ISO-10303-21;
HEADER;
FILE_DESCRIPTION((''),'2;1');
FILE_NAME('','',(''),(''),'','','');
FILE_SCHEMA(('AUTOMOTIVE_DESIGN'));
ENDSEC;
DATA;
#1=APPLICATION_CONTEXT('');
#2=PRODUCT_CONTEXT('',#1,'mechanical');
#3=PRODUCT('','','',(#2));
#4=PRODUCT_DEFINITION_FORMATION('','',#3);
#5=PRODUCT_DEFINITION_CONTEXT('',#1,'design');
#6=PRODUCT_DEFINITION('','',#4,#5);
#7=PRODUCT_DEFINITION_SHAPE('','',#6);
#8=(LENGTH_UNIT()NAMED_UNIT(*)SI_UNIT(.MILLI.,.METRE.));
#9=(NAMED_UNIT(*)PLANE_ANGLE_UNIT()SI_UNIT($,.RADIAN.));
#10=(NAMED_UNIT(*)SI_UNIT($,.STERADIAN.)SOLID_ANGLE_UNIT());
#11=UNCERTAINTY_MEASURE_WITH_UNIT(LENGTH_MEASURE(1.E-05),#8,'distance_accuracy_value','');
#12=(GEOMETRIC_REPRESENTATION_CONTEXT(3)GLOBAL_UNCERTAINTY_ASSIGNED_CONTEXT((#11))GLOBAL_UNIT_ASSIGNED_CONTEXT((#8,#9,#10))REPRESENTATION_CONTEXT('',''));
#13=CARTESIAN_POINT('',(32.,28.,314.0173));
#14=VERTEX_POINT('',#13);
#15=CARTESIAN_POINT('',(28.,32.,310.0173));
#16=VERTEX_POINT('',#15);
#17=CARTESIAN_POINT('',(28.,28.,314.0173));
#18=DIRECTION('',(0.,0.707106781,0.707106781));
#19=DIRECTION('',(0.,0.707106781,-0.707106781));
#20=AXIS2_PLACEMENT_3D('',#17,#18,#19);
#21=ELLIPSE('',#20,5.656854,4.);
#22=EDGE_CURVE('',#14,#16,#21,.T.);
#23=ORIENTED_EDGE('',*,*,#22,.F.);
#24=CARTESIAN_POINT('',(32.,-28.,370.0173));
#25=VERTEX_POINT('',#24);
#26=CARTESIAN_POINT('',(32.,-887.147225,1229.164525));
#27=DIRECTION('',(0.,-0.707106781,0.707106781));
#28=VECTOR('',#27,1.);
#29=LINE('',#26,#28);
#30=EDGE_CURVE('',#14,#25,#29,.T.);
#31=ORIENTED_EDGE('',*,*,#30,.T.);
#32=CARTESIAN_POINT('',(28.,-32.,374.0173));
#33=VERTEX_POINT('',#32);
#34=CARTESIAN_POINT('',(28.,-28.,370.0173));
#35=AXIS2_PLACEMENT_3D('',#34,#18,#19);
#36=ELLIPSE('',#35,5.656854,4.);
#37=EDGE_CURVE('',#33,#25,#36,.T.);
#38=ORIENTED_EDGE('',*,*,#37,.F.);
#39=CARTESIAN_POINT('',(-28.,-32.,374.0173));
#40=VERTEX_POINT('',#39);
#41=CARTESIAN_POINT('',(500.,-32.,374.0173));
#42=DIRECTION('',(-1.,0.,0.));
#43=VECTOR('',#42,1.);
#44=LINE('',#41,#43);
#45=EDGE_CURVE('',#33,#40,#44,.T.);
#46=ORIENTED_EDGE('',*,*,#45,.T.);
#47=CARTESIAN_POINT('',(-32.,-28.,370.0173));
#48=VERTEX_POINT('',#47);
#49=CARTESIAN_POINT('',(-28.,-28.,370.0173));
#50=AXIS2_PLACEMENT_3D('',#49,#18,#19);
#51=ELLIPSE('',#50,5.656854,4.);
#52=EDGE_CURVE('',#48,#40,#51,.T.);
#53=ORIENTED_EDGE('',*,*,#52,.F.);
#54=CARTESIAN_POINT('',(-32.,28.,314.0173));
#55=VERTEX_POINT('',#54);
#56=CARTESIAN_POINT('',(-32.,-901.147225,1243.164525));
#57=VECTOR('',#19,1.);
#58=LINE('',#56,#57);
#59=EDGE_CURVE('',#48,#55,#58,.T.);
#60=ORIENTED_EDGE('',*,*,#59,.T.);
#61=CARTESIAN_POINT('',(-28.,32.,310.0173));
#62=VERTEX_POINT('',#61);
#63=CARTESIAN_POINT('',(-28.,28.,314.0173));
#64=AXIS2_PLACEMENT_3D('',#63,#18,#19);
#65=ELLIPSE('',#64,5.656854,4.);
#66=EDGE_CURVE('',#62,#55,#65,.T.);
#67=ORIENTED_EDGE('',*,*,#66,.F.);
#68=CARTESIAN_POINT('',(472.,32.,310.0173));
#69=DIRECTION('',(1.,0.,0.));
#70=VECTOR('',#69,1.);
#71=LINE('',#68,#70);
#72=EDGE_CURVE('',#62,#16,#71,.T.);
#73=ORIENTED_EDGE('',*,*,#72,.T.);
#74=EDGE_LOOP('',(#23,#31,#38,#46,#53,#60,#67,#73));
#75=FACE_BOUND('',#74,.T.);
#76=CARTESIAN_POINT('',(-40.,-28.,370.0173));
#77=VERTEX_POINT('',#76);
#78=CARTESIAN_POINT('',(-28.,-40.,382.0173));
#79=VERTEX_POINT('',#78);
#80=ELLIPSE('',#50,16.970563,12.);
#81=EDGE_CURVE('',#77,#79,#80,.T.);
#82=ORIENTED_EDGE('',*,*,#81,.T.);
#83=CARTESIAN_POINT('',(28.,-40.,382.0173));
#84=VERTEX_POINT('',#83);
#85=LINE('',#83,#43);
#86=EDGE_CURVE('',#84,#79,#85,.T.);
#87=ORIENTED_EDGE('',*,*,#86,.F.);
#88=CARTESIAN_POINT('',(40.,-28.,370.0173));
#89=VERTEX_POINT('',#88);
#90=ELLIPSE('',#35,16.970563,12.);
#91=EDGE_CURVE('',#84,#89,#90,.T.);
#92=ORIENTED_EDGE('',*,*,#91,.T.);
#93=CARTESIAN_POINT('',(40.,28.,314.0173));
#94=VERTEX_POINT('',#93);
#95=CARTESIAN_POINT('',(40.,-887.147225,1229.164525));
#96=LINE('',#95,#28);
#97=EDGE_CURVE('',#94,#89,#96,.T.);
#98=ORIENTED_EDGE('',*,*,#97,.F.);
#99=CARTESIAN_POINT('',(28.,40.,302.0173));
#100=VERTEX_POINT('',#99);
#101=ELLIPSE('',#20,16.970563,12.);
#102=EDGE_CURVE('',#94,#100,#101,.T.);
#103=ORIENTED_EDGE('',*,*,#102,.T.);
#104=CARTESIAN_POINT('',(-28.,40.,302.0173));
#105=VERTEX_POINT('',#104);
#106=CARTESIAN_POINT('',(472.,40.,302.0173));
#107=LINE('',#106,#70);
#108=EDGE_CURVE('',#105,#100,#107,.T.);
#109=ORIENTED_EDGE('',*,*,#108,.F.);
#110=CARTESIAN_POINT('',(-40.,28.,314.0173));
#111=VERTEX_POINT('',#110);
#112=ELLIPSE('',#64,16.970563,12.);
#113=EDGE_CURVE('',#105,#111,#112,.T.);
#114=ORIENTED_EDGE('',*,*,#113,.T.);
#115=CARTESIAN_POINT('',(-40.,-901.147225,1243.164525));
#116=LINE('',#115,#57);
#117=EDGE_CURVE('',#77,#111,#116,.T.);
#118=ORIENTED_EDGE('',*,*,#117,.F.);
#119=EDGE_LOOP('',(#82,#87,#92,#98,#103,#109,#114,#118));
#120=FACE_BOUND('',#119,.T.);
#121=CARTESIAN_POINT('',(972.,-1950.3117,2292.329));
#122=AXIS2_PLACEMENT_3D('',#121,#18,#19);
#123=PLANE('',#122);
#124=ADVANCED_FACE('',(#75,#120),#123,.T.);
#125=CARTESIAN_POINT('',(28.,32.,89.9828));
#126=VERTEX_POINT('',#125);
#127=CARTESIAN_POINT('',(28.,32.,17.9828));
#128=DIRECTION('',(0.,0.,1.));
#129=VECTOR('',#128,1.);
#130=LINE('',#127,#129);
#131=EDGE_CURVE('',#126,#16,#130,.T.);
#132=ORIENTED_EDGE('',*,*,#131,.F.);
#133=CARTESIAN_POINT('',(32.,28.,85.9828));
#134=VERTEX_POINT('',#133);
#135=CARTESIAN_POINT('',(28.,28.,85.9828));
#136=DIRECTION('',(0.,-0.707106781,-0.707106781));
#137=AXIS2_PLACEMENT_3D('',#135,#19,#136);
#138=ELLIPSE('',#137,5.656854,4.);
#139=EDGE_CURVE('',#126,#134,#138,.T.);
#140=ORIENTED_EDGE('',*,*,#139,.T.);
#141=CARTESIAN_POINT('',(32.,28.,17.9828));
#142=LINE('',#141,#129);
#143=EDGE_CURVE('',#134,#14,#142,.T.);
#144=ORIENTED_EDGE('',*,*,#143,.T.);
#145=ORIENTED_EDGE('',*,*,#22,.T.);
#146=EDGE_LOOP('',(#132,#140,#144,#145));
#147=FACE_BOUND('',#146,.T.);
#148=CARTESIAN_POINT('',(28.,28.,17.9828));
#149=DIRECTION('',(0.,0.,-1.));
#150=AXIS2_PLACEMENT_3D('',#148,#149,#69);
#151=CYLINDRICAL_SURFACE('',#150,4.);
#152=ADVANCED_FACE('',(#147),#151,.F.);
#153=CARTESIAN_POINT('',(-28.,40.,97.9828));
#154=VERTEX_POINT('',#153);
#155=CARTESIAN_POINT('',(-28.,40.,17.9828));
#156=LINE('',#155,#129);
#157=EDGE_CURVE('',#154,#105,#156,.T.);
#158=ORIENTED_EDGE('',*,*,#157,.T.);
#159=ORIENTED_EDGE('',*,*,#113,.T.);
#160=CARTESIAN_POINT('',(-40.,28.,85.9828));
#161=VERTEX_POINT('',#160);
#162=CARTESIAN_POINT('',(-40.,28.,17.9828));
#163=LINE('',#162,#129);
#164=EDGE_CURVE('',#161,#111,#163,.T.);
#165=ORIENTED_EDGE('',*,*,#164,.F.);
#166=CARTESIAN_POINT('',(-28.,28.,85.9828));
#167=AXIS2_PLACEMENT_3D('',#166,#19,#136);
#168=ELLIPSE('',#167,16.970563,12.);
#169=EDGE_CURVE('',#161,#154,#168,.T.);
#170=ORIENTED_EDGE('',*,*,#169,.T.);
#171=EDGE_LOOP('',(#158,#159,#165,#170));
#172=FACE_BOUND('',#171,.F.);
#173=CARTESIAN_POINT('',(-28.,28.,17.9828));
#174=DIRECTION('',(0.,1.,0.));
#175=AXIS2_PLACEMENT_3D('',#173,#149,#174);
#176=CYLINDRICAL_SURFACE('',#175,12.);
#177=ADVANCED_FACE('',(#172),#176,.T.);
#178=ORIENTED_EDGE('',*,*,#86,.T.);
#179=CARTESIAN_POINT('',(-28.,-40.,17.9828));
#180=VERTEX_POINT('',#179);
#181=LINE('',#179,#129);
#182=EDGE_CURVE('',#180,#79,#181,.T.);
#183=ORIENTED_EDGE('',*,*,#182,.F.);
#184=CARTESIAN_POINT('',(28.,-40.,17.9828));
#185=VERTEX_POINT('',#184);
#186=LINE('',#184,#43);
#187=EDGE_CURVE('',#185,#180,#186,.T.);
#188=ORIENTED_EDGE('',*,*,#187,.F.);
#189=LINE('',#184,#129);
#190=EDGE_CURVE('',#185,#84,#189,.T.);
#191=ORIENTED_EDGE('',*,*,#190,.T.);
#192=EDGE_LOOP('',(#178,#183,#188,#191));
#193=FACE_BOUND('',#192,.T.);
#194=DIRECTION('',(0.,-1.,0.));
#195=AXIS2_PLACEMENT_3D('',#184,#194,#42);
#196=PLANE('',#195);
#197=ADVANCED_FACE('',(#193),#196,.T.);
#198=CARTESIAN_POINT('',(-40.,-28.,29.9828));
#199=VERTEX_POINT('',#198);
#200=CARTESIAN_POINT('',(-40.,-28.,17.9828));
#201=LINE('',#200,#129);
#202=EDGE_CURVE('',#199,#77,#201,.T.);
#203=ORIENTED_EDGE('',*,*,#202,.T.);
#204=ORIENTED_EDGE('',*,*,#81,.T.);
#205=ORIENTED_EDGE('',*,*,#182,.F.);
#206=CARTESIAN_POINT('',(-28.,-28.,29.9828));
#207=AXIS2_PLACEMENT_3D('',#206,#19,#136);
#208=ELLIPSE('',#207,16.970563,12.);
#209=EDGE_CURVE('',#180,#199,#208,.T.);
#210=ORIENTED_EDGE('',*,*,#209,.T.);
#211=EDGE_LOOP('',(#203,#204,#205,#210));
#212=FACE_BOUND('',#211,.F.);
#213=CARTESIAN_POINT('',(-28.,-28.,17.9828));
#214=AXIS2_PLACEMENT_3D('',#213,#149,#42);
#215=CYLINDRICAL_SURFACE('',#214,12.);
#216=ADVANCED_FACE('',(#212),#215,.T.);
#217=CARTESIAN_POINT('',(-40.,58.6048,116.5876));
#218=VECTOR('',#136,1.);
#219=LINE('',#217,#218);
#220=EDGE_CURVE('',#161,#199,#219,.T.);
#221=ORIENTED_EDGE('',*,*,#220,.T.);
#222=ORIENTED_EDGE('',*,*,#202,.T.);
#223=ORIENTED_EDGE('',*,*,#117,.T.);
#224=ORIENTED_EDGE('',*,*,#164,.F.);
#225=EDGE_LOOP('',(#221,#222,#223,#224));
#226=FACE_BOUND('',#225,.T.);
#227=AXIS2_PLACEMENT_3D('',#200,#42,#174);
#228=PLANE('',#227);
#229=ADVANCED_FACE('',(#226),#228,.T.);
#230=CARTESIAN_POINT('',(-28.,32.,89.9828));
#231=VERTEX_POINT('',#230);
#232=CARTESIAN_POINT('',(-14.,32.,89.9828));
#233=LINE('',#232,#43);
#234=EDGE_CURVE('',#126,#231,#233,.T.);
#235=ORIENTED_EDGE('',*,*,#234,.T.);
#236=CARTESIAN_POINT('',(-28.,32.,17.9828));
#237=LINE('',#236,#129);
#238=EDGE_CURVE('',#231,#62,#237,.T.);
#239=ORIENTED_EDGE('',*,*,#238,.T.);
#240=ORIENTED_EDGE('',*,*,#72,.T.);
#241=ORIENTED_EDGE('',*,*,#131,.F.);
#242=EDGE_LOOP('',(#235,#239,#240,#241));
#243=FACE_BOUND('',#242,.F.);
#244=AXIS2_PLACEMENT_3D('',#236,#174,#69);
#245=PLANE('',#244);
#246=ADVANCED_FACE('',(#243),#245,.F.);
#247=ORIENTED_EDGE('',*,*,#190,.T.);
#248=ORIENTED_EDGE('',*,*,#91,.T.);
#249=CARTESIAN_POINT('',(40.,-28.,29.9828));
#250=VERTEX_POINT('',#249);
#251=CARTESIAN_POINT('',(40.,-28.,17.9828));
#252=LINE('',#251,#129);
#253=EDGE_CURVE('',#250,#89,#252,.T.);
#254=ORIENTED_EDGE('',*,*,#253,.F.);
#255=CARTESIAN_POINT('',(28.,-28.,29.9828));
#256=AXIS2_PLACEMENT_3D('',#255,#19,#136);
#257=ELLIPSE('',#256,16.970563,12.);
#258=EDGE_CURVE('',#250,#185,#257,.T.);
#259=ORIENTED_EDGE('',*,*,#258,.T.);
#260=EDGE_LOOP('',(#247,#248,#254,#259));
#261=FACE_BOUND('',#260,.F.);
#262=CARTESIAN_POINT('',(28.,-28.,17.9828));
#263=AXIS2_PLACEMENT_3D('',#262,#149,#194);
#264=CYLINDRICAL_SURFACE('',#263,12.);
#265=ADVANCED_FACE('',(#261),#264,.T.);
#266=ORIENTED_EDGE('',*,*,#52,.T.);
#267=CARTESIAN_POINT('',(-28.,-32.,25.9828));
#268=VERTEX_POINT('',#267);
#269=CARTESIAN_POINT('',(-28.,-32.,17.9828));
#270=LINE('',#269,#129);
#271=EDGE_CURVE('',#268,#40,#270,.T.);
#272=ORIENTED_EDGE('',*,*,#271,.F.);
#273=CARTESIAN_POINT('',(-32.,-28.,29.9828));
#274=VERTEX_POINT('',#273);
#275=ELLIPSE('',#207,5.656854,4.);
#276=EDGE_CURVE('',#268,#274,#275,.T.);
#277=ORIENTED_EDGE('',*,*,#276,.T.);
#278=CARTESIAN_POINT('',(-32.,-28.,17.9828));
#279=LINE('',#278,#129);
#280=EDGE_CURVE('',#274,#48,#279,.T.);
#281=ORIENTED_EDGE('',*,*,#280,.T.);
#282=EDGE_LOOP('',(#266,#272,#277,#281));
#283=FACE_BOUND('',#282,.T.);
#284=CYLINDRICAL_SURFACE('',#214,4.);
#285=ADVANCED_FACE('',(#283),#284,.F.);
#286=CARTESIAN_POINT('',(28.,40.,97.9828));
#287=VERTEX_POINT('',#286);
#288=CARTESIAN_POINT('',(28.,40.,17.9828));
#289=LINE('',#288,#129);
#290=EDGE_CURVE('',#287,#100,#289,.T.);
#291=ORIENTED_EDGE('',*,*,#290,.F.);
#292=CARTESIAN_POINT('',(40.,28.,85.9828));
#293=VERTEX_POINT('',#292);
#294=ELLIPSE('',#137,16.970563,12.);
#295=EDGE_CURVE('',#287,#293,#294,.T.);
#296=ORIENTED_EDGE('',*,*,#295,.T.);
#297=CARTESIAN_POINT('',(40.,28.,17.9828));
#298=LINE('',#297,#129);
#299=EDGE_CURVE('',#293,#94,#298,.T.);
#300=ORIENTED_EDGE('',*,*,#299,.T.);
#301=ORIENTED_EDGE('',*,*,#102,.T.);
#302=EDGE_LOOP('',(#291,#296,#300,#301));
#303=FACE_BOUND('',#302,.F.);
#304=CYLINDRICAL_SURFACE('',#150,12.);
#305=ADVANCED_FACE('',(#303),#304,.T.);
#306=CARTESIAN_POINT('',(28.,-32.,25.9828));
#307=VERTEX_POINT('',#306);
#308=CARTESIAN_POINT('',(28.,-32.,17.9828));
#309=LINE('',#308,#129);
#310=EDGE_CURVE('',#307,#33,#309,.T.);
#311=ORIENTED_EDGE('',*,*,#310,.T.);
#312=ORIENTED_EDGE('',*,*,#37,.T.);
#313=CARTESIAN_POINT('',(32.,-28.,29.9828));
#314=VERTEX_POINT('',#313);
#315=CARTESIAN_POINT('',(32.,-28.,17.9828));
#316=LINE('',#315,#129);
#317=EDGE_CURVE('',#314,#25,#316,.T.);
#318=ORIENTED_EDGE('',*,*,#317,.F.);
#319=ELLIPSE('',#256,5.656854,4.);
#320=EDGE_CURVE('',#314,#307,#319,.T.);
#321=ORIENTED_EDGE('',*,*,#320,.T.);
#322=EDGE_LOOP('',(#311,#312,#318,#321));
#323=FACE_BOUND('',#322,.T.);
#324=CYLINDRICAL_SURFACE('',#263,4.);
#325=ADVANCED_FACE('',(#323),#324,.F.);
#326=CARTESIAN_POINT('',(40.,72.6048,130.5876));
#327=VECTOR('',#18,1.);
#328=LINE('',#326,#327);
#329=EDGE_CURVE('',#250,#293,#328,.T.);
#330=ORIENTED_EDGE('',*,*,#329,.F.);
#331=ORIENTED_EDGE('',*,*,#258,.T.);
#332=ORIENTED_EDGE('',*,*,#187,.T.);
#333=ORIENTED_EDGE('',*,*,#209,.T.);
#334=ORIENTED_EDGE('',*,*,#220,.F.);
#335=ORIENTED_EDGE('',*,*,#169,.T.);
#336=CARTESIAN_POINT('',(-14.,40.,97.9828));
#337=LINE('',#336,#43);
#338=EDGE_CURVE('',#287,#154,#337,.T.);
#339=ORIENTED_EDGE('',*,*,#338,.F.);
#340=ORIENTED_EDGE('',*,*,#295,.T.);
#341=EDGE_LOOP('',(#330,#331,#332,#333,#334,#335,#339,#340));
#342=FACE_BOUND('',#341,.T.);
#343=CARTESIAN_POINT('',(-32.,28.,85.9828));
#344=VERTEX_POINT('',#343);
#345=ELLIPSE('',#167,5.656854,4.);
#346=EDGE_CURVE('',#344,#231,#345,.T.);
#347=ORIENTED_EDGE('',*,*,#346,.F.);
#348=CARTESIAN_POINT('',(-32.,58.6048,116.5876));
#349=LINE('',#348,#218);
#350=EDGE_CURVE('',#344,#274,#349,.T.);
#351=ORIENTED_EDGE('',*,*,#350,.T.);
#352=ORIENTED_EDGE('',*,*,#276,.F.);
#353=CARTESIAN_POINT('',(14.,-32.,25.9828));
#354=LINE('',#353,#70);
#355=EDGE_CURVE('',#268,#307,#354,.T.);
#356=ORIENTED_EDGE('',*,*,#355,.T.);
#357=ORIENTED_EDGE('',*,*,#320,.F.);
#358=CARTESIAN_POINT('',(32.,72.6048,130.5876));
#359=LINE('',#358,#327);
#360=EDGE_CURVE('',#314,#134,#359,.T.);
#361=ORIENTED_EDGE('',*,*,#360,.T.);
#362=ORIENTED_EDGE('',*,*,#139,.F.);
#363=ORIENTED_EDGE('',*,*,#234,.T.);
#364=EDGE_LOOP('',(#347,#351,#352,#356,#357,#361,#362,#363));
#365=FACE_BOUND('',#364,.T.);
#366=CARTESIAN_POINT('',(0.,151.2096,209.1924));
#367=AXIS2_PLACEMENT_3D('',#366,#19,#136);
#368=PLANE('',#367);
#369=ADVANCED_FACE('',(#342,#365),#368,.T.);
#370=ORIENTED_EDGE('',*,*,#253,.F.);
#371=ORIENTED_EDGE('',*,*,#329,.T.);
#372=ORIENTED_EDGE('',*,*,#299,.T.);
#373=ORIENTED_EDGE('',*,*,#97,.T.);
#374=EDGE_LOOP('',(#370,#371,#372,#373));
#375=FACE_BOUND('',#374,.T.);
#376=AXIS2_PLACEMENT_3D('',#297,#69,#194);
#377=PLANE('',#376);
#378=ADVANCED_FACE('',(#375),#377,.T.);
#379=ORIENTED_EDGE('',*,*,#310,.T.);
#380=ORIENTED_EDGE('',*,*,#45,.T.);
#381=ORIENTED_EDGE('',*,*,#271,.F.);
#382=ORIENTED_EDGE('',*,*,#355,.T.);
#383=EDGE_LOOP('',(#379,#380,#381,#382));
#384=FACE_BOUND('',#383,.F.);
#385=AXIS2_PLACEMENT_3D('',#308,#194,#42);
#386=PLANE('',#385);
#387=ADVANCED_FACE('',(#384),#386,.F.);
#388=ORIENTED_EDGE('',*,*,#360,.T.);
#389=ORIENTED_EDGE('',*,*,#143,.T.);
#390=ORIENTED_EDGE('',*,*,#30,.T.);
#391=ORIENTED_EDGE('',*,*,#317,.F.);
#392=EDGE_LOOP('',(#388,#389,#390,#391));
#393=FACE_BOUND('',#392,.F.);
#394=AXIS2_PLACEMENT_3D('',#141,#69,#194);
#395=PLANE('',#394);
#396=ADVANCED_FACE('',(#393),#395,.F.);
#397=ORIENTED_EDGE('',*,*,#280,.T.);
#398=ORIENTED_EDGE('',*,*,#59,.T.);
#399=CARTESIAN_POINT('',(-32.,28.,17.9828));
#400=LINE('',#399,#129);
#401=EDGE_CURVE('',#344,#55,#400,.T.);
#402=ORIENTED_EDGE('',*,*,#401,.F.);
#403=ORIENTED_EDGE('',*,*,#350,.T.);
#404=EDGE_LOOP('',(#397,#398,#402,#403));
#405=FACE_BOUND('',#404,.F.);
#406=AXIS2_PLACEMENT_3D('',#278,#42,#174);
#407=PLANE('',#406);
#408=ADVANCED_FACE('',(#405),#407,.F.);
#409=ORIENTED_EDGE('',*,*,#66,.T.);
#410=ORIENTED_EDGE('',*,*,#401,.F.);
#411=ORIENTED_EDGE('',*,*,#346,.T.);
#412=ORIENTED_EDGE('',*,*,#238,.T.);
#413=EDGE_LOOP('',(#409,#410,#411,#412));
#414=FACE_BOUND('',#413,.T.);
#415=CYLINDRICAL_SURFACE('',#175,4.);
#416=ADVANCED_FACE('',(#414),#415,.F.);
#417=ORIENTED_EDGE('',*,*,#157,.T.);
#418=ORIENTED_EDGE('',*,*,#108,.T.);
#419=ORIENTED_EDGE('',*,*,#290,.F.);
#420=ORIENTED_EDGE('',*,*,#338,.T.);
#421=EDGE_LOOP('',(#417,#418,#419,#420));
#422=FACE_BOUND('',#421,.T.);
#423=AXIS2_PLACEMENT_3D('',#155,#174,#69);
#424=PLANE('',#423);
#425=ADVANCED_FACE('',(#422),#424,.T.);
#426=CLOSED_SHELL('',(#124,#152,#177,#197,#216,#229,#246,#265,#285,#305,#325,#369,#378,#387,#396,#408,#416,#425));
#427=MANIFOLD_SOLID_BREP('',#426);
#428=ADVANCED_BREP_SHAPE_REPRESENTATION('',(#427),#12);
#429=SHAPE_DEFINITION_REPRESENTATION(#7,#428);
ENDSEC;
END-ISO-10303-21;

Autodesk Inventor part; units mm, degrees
ref_plane "Start Plane" through (0, 0, 17.9828) normal (0, 0, 1) x (1, 0, 0)
ref_plane "End Plane" through (0, 0, 382.0172) normal (0, 0, 1) x (1, 0, 0)
sketch "Sketch" plane through (0, 0, 0) normal (0, 0, 1) x (1, 0, 0)
  line L0 (-40, -28) -> (-40, 28)
  line L1 (-28, 40) -> (28, 40)
  line L2 (40, 28) -> (40, -28)
  line L3 (28, -40) -> (-28, -40)
  arc A0 (-40, -28) -> (-28, -40) centre (-28, -28) ccw
  arc A1 (-28, 40) -> (-40, 28) centre (-28, 28) ccw
  arc A2 (40, 28) -> (28, 40) centre (28, 28) ccw
  arc A3 (28, -40) -> (40, -28) centre (28, -28) ccw
  arc A4 (-28, 32) -> (-32, 28) centre (-28, 28) ccw
  line L4 (-28, 32) -> (28, 32)
  arc A5 (32, 28) -> (28, 32) centre (28, 28) ccw
  line L5 (32, 28) -> (32, -28)
  arc A6 (28, -32) -> (32, -28) centre (28, -28) ccw
  line L6 (28, -32) -> (-28, -32)
  arc A7 (-32, -28) -> (-28, -32) centre (-28, -28) ccw
  line L7 (-32, -28) -> (-32, 28)
  line L8 (0, 59.4794) -> (0, -59.4794) construction
  line L9 (-59.4794, 0) -> (59.4794, 0) construction
  dimension "d7" = 12
  dimension "d10" = 80
  dimension "d11" = 80
  dimension "d12" = 8
  dimension "d15" = 40
  dimension "d16" = 40
extrude "Body" add sketch "Sketch" along normal up to surface (364.0345 mm away) from surface at 17.9828
sketch "Sketch3" plane through (0, 0, 0) normal (0, 0, 1) x (1, 0, 0)
  line L0 (0, 0) -> (10, 0)
ref_plane "Work Plane3" through (0, 0, 0) normal (0, -1, 0) x (1, 0, 0)
ref_plane "Work Plane4" through (0, 151.2096, 209.1924) normal (0, 0.7071, -0.7071) x (1, 0, 0)
split "Split1" plane through (0, 151.2096, 209.1924) removes the side toward (0, 0.7071, -0.7071)
ref_plane "Work Plane5" through (972, -1950.3117, 2292.329) normal (0, 0.7071, 0.7071) x (1, 0, 0)
split "Split2" plane through (972, -1950.3117, 2292.329) removes the side toward (0, 0.7071, 0.7071)
sketch "Sketch4" plane through (0, 0, 0) normal (0, -1, 0) x (1, 0, 0)
  line L0 (-2, 17.9828) -> (12, 17.9828) projected
  line L1 (-2, 382.0172) -> (12, 382.0172) projected
  dimension "d18" = 364.0345
equation "\"d7\" = G_IR"
equation "\"d10\" = G_H"
equation "\"d11\" = G_W"
equation "\"d12\" = G_T"
equation "\"d15\" = 0.5 * d10"
equation "\"d16\" = 0.5 * d11"
equation "\"d3\" = G_L"
equation "\"G_W\" = 80"
equation "\"G_H\" = 80"
equation "\"G_T\" = 8"
equation "\"G_IR\" = 12"
equation "\"G_L\" = d18"
equation "\"G_OFFSET_START\" = -17.98276"
equation "\"G_OFFSET_END\" = -17.98276"
equation "\"d13\" = -G_OFFSET_START"
equation "\"d14\" = G_OFFSET_END + B_L"
equation "\"B_L\" = 400"
properties part number "ISO 12633-2 - 80x80x8 - 364.03" material "Steel, Mild"
